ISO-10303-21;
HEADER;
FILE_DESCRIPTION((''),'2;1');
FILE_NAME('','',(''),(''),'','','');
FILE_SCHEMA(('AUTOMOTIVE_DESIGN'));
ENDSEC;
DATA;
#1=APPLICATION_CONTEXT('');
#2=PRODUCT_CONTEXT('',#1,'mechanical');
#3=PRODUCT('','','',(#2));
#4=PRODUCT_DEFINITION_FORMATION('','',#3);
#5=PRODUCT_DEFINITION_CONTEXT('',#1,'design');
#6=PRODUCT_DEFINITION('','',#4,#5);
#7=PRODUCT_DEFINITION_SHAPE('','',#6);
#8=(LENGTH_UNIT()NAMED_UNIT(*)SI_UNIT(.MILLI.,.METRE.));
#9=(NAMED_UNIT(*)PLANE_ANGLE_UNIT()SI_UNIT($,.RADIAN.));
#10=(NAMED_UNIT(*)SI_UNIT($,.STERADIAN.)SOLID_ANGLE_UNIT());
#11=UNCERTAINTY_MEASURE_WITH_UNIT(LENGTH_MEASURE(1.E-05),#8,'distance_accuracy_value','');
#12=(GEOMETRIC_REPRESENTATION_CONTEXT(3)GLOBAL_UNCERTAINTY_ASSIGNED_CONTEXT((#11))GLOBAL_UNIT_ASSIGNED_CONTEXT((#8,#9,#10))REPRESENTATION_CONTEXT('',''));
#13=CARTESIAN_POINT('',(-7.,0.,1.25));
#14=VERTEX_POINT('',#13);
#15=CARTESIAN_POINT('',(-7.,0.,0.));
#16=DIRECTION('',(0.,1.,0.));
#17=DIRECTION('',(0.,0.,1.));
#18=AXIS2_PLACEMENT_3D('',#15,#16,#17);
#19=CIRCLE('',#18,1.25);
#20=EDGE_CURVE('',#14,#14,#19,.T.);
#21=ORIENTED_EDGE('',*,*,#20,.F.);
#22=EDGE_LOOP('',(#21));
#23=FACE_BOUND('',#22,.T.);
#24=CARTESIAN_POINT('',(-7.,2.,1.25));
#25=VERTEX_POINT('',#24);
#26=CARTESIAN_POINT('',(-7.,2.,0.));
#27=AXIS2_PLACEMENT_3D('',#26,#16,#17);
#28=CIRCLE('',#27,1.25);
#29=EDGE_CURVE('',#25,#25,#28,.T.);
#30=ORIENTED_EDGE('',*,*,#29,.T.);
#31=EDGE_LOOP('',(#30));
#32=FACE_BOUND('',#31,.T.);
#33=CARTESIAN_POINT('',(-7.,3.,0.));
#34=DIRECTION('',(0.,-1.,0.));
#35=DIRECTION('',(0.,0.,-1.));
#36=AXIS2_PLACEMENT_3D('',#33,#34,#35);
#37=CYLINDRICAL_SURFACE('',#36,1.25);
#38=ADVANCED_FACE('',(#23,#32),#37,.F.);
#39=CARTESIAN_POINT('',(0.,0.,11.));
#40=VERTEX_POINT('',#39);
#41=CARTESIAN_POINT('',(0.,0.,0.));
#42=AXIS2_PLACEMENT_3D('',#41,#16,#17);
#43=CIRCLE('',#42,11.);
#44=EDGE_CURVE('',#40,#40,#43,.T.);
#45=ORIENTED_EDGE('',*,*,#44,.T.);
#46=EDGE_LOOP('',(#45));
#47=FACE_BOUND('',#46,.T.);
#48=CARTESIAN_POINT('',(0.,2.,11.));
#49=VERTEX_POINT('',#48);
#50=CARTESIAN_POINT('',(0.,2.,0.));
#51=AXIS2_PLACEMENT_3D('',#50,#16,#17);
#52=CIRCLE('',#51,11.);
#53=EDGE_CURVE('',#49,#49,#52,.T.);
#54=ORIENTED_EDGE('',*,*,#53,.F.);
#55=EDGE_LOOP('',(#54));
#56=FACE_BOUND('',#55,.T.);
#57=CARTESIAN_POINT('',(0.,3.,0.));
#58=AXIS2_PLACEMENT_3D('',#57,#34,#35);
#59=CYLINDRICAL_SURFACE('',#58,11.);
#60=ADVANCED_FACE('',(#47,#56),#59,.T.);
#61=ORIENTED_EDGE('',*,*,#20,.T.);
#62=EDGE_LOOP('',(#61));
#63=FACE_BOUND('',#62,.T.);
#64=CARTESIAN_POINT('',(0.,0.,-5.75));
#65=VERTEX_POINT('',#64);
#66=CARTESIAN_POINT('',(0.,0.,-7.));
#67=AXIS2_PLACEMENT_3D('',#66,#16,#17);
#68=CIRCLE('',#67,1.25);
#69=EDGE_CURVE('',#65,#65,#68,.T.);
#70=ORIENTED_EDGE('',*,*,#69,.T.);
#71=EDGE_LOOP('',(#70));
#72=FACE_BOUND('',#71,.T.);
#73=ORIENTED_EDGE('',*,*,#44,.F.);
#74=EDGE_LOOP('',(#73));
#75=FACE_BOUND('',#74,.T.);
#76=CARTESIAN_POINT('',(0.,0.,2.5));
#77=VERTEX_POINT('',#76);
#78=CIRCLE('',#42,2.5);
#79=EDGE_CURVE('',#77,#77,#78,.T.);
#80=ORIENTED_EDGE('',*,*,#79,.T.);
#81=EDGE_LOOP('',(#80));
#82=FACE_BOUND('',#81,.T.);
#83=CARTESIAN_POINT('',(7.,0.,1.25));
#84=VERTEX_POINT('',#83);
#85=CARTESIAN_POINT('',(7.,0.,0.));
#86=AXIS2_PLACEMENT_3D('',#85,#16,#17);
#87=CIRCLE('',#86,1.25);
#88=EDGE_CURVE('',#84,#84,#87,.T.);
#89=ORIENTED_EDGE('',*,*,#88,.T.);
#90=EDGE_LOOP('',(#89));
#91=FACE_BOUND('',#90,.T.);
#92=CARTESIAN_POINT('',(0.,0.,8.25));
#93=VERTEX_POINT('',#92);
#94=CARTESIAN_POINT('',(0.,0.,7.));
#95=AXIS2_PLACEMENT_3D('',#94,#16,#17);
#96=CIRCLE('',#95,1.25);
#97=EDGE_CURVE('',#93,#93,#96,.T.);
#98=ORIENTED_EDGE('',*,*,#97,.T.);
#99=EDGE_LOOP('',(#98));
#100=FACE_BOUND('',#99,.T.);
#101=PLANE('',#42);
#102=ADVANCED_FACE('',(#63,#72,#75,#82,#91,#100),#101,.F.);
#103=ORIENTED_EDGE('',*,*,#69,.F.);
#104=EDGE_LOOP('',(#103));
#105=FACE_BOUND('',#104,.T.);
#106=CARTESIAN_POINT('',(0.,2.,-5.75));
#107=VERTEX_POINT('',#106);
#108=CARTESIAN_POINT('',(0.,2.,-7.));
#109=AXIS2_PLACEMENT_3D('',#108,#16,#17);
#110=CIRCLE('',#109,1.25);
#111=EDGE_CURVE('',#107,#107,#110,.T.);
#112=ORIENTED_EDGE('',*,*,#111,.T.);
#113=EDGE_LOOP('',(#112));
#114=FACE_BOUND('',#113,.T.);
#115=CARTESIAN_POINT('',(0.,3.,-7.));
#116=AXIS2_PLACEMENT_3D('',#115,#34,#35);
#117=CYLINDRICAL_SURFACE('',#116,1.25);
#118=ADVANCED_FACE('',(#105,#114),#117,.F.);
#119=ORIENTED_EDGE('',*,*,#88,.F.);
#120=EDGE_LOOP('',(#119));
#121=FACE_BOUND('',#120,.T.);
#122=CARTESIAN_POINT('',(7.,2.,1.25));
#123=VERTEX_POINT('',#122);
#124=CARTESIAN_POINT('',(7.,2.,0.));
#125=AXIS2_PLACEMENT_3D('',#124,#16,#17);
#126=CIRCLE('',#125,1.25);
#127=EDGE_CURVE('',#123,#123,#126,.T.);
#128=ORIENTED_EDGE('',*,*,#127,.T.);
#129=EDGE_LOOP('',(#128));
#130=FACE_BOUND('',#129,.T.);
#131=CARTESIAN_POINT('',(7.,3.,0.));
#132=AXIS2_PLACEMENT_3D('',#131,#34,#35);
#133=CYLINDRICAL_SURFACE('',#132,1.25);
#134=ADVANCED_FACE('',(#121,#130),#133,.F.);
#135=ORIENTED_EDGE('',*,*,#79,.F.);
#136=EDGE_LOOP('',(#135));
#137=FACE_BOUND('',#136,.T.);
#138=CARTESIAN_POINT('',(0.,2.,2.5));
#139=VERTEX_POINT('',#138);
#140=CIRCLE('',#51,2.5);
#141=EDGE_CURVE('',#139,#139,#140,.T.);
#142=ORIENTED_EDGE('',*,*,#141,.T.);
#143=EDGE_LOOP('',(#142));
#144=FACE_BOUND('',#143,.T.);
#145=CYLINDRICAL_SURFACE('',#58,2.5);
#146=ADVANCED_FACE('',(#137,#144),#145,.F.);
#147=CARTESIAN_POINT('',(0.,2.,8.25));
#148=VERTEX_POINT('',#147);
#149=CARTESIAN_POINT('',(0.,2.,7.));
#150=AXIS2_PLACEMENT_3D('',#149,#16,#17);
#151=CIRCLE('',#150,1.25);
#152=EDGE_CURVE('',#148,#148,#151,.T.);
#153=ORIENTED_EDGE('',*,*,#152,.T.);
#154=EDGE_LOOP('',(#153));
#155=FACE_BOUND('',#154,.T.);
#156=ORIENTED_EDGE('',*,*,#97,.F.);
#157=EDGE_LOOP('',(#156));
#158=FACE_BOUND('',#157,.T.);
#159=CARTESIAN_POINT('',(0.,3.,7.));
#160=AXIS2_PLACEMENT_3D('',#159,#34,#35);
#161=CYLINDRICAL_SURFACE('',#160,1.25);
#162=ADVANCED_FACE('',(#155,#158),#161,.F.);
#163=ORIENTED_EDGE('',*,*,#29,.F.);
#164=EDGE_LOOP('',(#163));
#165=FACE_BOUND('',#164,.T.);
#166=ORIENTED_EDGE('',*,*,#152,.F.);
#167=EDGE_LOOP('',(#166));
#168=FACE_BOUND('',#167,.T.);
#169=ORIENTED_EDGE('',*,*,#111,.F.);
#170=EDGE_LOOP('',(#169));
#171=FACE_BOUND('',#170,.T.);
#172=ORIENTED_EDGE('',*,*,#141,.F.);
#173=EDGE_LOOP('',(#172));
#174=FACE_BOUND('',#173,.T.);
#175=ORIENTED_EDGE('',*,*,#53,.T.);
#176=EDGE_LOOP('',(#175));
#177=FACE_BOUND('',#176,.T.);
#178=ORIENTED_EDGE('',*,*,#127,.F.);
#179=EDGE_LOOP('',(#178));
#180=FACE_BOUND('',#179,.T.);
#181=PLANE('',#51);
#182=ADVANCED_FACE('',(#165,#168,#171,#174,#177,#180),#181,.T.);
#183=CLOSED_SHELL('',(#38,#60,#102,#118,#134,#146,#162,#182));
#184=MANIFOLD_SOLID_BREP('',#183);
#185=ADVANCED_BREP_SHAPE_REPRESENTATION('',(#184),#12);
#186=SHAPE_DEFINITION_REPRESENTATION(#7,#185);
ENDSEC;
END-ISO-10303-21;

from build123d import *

# Parameters (mm, degrees)
SKETCH1_R           = 11
SKETCH1_R_2         = 2.5
SKETCH1_R_3         = 1.25
BOSS_EXTRUDE1_DEPTH = 3
CUT_EXTRUDE1_START  = -1
SKETCH2_R           = 11
CUT_EXTRUDE1_DEPTH  = 1


with BuildPart() as part:
    # Sketch1 → Boss-Extrude1 (new body)
    with BuildSketch(Plane(origin=(0, 0, 0), x_dir=(1, 0, 0), z_dir=(0, 1, 0))):
        with Locations(Location((0, 0, 0), (0, 0, 270))):
            Circle(SKETCH1_R)
        with Locations(Location((0, 0, 0), (0, 0, 270))):
            Circle(SKETCH1_R_2, mode=Mode.SUBTRACT)
        with Locations(Location((0, 7, 0), (0, 0, 270))):
            Circle(SKETCH1_R_3, mode=Mode.SUBTRACT)
        with Locations(Location((7, 0, 0), (0, 0, 270))):
            Circle(SKETCH1_R_3, mode=Mode.SUBTRACT)
        with Locations(Location((0, -7, 0), (0, 0, 270))):
            Circle(SKETCH1_R_3, mode=Mode.SUBTRACT)
        with Locations(Location((-7, 0, 0), (0, 0, 270))):
            Circle(SKETCH1_R_3, mode=Mode.SUBTRACT)
    extrude(amount=BOSS_EXTRUDE1_DEPTH)

    # Sketch2 → Cut-Extrude1 (cut)
    with BuildSketch(Plane(origin=(0, 3, 0), x_dir=(1, 0, 0), z_dir=(0, 1, 0)).offset(CUT_EXTRUDE1_START)):
        with Locations(Location((0, 0, 0), (0, 0, 270))):
            Circle(SKETCH2_R)
    extrude(amount=CUT_EXTRUDE1_DEPTH, mode=Mode.SUBTRACT)


solid = part.part
